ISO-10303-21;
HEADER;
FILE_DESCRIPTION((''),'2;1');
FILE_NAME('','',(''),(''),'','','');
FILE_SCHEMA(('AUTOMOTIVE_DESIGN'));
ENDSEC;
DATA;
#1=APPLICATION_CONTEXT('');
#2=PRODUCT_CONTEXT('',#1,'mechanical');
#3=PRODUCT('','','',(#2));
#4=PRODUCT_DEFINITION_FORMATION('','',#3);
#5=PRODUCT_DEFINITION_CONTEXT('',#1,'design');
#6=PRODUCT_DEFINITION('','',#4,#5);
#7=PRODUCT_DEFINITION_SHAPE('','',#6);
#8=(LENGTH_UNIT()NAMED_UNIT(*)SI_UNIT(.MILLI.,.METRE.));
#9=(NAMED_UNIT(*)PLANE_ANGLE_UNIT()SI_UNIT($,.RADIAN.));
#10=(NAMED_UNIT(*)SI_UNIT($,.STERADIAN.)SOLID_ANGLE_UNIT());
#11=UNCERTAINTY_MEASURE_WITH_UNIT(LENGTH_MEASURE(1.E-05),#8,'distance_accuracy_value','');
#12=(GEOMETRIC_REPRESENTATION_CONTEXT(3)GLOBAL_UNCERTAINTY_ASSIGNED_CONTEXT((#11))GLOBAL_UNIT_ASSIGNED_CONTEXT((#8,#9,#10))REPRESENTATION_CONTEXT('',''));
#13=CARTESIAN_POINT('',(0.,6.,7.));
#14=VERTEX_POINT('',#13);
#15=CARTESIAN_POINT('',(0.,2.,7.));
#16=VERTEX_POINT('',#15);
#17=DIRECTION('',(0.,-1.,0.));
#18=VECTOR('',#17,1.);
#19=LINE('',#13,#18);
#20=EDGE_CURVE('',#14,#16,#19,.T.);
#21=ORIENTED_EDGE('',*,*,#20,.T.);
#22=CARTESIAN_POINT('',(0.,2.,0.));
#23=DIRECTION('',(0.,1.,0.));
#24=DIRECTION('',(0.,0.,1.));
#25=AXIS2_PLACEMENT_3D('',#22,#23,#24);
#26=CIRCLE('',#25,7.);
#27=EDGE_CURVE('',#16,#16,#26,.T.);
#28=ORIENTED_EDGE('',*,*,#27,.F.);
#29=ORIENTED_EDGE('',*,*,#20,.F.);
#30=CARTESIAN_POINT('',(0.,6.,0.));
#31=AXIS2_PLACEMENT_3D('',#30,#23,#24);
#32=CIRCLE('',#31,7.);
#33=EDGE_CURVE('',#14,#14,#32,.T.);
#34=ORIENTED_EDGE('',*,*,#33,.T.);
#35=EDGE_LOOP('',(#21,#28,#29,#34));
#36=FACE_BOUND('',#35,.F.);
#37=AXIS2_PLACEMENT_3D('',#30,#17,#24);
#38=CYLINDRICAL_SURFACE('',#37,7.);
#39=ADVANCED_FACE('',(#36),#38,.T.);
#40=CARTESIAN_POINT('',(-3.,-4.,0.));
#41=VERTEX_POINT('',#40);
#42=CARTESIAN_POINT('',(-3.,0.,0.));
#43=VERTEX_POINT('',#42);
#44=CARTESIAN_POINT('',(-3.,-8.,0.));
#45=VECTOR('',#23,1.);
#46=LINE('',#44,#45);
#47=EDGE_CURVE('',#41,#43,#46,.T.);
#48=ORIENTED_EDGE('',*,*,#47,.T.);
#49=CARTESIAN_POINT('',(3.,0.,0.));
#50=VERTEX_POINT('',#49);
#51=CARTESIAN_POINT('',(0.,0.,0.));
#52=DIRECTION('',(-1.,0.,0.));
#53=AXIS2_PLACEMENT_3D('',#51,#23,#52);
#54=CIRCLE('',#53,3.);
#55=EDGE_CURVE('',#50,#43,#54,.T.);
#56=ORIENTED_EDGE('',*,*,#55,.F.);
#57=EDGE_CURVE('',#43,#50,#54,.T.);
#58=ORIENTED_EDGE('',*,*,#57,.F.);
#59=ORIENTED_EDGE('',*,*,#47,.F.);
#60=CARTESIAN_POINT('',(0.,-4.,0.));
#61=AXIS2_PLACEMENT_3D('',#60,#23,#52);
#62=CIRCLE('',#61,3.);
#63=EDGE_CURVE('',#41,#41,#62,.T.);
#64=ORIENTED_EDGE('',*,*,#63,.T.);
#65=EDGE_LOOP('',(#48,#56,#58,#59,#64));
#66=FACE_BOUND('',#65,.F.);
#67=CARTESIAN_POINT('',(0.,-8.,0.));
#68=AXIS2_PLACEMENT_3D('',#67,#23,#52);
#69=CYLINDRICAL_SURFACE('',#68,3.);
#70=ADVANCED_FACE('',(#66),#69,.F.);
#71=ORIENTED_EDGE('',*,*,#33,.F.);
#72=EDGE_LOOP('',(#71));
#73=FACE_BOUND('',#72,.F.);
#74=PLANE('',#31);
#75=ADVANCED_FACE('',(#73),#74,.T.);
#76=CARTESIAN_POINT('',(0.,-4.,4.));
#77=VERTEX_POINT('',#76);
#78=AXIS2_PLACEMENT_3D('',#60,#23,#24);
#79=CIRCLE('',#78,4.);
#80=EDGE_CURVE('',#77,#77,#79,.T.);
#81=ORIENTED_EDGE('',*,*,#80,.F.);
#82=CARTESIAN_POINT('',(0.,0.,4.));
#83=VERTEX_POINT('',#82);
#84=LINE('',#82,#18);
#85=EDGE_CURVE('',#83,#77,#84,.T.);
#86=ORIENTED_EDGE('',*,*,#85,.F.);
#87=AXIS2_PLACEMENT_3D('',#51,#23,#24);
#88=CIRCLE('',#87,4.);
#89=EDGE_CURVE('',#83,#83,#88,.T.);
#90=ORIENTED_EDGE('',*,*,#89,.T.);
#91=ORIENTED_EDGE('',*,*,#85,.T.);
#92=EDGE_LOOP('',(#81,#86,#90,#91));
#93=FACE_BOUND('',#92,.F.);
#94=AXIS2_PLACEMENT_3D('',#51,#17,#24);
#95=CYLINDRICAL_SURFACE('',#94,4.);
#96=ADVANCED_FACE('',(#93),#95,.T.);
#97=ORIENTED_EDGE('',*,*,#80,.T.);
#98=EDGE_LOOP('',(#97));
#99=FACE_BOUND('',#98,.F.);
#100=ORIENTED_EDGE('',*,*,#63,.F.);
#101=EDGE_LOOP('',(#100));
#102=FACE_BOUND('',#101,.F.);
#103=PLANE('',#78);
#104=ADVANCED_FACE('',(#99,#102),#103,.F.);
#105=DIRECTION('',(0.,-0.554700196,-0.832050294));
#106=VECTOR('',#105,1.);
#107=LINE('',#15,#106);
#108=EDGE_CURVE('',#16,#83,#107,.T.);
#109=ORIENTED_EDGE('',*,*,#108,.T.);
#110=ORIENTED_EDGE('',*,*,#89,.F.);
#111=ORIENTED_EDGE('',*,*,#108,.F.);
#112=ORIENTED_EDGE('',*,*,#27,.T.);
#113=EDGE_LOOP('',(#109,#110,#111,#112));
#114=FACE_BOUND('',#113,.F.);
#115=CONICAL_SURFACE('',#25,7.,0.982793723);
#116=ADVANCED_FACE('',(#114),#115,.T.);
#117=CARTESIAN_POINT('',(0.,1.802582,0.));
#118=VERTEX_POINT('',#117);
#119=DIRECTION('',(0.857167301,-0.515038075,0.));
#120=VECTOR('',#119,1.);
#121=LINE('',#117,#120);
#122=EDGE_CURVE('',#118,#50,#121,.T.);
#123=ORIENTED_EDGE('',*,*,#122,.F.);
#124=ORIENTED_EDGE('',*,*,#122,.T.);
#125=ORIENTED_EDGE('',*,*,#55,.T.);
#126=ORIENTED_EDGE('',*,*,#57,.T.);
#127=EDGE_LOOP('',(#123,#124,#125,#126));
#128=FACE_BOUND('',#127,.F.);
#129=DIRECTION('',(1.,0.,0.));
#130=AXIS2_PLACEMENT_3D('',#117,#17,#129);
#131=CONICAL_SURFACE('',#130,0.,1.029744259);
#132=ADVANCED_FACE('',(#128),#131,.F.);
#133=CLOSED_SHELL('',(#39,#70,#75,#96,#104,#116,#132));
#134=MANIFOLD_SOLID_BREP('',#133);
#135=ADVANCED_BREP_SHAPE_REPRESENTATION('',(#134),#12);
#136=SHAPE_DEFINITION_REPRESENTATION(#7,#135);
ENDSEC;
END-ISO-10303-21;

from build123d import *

# Parameters (mm, degrees)
F3_D     = 6
F3_DEPTH = 4
F3_TIP   = 1.8025818571


with BuildPart() as f1:
    # F0 (on Right) → F1 (revolve)
    with BuildSketch(Plane.YZ):
        Polygon((-4, 4), (-4, 0), (6, 0), (6, 7), (2, 7), (0, 4), align=None)
    revolve(axis=Axis((0, 1, 0), (0, 1, 0)))

    # F3
    with Locations(Plane.XZ.offset(4)):
        with Locations((0, 0)):
            Hole(F3_D / 2, depth=F3_DEPTH)
            with Locations((0, 0, -(F3_DEPTH + F3_TIP / 2))):  # 118° drill point
                Cone(0, F3_D / 2, F3_TIP, mode=Mode.SUBTRACT)


solid = f1.part
